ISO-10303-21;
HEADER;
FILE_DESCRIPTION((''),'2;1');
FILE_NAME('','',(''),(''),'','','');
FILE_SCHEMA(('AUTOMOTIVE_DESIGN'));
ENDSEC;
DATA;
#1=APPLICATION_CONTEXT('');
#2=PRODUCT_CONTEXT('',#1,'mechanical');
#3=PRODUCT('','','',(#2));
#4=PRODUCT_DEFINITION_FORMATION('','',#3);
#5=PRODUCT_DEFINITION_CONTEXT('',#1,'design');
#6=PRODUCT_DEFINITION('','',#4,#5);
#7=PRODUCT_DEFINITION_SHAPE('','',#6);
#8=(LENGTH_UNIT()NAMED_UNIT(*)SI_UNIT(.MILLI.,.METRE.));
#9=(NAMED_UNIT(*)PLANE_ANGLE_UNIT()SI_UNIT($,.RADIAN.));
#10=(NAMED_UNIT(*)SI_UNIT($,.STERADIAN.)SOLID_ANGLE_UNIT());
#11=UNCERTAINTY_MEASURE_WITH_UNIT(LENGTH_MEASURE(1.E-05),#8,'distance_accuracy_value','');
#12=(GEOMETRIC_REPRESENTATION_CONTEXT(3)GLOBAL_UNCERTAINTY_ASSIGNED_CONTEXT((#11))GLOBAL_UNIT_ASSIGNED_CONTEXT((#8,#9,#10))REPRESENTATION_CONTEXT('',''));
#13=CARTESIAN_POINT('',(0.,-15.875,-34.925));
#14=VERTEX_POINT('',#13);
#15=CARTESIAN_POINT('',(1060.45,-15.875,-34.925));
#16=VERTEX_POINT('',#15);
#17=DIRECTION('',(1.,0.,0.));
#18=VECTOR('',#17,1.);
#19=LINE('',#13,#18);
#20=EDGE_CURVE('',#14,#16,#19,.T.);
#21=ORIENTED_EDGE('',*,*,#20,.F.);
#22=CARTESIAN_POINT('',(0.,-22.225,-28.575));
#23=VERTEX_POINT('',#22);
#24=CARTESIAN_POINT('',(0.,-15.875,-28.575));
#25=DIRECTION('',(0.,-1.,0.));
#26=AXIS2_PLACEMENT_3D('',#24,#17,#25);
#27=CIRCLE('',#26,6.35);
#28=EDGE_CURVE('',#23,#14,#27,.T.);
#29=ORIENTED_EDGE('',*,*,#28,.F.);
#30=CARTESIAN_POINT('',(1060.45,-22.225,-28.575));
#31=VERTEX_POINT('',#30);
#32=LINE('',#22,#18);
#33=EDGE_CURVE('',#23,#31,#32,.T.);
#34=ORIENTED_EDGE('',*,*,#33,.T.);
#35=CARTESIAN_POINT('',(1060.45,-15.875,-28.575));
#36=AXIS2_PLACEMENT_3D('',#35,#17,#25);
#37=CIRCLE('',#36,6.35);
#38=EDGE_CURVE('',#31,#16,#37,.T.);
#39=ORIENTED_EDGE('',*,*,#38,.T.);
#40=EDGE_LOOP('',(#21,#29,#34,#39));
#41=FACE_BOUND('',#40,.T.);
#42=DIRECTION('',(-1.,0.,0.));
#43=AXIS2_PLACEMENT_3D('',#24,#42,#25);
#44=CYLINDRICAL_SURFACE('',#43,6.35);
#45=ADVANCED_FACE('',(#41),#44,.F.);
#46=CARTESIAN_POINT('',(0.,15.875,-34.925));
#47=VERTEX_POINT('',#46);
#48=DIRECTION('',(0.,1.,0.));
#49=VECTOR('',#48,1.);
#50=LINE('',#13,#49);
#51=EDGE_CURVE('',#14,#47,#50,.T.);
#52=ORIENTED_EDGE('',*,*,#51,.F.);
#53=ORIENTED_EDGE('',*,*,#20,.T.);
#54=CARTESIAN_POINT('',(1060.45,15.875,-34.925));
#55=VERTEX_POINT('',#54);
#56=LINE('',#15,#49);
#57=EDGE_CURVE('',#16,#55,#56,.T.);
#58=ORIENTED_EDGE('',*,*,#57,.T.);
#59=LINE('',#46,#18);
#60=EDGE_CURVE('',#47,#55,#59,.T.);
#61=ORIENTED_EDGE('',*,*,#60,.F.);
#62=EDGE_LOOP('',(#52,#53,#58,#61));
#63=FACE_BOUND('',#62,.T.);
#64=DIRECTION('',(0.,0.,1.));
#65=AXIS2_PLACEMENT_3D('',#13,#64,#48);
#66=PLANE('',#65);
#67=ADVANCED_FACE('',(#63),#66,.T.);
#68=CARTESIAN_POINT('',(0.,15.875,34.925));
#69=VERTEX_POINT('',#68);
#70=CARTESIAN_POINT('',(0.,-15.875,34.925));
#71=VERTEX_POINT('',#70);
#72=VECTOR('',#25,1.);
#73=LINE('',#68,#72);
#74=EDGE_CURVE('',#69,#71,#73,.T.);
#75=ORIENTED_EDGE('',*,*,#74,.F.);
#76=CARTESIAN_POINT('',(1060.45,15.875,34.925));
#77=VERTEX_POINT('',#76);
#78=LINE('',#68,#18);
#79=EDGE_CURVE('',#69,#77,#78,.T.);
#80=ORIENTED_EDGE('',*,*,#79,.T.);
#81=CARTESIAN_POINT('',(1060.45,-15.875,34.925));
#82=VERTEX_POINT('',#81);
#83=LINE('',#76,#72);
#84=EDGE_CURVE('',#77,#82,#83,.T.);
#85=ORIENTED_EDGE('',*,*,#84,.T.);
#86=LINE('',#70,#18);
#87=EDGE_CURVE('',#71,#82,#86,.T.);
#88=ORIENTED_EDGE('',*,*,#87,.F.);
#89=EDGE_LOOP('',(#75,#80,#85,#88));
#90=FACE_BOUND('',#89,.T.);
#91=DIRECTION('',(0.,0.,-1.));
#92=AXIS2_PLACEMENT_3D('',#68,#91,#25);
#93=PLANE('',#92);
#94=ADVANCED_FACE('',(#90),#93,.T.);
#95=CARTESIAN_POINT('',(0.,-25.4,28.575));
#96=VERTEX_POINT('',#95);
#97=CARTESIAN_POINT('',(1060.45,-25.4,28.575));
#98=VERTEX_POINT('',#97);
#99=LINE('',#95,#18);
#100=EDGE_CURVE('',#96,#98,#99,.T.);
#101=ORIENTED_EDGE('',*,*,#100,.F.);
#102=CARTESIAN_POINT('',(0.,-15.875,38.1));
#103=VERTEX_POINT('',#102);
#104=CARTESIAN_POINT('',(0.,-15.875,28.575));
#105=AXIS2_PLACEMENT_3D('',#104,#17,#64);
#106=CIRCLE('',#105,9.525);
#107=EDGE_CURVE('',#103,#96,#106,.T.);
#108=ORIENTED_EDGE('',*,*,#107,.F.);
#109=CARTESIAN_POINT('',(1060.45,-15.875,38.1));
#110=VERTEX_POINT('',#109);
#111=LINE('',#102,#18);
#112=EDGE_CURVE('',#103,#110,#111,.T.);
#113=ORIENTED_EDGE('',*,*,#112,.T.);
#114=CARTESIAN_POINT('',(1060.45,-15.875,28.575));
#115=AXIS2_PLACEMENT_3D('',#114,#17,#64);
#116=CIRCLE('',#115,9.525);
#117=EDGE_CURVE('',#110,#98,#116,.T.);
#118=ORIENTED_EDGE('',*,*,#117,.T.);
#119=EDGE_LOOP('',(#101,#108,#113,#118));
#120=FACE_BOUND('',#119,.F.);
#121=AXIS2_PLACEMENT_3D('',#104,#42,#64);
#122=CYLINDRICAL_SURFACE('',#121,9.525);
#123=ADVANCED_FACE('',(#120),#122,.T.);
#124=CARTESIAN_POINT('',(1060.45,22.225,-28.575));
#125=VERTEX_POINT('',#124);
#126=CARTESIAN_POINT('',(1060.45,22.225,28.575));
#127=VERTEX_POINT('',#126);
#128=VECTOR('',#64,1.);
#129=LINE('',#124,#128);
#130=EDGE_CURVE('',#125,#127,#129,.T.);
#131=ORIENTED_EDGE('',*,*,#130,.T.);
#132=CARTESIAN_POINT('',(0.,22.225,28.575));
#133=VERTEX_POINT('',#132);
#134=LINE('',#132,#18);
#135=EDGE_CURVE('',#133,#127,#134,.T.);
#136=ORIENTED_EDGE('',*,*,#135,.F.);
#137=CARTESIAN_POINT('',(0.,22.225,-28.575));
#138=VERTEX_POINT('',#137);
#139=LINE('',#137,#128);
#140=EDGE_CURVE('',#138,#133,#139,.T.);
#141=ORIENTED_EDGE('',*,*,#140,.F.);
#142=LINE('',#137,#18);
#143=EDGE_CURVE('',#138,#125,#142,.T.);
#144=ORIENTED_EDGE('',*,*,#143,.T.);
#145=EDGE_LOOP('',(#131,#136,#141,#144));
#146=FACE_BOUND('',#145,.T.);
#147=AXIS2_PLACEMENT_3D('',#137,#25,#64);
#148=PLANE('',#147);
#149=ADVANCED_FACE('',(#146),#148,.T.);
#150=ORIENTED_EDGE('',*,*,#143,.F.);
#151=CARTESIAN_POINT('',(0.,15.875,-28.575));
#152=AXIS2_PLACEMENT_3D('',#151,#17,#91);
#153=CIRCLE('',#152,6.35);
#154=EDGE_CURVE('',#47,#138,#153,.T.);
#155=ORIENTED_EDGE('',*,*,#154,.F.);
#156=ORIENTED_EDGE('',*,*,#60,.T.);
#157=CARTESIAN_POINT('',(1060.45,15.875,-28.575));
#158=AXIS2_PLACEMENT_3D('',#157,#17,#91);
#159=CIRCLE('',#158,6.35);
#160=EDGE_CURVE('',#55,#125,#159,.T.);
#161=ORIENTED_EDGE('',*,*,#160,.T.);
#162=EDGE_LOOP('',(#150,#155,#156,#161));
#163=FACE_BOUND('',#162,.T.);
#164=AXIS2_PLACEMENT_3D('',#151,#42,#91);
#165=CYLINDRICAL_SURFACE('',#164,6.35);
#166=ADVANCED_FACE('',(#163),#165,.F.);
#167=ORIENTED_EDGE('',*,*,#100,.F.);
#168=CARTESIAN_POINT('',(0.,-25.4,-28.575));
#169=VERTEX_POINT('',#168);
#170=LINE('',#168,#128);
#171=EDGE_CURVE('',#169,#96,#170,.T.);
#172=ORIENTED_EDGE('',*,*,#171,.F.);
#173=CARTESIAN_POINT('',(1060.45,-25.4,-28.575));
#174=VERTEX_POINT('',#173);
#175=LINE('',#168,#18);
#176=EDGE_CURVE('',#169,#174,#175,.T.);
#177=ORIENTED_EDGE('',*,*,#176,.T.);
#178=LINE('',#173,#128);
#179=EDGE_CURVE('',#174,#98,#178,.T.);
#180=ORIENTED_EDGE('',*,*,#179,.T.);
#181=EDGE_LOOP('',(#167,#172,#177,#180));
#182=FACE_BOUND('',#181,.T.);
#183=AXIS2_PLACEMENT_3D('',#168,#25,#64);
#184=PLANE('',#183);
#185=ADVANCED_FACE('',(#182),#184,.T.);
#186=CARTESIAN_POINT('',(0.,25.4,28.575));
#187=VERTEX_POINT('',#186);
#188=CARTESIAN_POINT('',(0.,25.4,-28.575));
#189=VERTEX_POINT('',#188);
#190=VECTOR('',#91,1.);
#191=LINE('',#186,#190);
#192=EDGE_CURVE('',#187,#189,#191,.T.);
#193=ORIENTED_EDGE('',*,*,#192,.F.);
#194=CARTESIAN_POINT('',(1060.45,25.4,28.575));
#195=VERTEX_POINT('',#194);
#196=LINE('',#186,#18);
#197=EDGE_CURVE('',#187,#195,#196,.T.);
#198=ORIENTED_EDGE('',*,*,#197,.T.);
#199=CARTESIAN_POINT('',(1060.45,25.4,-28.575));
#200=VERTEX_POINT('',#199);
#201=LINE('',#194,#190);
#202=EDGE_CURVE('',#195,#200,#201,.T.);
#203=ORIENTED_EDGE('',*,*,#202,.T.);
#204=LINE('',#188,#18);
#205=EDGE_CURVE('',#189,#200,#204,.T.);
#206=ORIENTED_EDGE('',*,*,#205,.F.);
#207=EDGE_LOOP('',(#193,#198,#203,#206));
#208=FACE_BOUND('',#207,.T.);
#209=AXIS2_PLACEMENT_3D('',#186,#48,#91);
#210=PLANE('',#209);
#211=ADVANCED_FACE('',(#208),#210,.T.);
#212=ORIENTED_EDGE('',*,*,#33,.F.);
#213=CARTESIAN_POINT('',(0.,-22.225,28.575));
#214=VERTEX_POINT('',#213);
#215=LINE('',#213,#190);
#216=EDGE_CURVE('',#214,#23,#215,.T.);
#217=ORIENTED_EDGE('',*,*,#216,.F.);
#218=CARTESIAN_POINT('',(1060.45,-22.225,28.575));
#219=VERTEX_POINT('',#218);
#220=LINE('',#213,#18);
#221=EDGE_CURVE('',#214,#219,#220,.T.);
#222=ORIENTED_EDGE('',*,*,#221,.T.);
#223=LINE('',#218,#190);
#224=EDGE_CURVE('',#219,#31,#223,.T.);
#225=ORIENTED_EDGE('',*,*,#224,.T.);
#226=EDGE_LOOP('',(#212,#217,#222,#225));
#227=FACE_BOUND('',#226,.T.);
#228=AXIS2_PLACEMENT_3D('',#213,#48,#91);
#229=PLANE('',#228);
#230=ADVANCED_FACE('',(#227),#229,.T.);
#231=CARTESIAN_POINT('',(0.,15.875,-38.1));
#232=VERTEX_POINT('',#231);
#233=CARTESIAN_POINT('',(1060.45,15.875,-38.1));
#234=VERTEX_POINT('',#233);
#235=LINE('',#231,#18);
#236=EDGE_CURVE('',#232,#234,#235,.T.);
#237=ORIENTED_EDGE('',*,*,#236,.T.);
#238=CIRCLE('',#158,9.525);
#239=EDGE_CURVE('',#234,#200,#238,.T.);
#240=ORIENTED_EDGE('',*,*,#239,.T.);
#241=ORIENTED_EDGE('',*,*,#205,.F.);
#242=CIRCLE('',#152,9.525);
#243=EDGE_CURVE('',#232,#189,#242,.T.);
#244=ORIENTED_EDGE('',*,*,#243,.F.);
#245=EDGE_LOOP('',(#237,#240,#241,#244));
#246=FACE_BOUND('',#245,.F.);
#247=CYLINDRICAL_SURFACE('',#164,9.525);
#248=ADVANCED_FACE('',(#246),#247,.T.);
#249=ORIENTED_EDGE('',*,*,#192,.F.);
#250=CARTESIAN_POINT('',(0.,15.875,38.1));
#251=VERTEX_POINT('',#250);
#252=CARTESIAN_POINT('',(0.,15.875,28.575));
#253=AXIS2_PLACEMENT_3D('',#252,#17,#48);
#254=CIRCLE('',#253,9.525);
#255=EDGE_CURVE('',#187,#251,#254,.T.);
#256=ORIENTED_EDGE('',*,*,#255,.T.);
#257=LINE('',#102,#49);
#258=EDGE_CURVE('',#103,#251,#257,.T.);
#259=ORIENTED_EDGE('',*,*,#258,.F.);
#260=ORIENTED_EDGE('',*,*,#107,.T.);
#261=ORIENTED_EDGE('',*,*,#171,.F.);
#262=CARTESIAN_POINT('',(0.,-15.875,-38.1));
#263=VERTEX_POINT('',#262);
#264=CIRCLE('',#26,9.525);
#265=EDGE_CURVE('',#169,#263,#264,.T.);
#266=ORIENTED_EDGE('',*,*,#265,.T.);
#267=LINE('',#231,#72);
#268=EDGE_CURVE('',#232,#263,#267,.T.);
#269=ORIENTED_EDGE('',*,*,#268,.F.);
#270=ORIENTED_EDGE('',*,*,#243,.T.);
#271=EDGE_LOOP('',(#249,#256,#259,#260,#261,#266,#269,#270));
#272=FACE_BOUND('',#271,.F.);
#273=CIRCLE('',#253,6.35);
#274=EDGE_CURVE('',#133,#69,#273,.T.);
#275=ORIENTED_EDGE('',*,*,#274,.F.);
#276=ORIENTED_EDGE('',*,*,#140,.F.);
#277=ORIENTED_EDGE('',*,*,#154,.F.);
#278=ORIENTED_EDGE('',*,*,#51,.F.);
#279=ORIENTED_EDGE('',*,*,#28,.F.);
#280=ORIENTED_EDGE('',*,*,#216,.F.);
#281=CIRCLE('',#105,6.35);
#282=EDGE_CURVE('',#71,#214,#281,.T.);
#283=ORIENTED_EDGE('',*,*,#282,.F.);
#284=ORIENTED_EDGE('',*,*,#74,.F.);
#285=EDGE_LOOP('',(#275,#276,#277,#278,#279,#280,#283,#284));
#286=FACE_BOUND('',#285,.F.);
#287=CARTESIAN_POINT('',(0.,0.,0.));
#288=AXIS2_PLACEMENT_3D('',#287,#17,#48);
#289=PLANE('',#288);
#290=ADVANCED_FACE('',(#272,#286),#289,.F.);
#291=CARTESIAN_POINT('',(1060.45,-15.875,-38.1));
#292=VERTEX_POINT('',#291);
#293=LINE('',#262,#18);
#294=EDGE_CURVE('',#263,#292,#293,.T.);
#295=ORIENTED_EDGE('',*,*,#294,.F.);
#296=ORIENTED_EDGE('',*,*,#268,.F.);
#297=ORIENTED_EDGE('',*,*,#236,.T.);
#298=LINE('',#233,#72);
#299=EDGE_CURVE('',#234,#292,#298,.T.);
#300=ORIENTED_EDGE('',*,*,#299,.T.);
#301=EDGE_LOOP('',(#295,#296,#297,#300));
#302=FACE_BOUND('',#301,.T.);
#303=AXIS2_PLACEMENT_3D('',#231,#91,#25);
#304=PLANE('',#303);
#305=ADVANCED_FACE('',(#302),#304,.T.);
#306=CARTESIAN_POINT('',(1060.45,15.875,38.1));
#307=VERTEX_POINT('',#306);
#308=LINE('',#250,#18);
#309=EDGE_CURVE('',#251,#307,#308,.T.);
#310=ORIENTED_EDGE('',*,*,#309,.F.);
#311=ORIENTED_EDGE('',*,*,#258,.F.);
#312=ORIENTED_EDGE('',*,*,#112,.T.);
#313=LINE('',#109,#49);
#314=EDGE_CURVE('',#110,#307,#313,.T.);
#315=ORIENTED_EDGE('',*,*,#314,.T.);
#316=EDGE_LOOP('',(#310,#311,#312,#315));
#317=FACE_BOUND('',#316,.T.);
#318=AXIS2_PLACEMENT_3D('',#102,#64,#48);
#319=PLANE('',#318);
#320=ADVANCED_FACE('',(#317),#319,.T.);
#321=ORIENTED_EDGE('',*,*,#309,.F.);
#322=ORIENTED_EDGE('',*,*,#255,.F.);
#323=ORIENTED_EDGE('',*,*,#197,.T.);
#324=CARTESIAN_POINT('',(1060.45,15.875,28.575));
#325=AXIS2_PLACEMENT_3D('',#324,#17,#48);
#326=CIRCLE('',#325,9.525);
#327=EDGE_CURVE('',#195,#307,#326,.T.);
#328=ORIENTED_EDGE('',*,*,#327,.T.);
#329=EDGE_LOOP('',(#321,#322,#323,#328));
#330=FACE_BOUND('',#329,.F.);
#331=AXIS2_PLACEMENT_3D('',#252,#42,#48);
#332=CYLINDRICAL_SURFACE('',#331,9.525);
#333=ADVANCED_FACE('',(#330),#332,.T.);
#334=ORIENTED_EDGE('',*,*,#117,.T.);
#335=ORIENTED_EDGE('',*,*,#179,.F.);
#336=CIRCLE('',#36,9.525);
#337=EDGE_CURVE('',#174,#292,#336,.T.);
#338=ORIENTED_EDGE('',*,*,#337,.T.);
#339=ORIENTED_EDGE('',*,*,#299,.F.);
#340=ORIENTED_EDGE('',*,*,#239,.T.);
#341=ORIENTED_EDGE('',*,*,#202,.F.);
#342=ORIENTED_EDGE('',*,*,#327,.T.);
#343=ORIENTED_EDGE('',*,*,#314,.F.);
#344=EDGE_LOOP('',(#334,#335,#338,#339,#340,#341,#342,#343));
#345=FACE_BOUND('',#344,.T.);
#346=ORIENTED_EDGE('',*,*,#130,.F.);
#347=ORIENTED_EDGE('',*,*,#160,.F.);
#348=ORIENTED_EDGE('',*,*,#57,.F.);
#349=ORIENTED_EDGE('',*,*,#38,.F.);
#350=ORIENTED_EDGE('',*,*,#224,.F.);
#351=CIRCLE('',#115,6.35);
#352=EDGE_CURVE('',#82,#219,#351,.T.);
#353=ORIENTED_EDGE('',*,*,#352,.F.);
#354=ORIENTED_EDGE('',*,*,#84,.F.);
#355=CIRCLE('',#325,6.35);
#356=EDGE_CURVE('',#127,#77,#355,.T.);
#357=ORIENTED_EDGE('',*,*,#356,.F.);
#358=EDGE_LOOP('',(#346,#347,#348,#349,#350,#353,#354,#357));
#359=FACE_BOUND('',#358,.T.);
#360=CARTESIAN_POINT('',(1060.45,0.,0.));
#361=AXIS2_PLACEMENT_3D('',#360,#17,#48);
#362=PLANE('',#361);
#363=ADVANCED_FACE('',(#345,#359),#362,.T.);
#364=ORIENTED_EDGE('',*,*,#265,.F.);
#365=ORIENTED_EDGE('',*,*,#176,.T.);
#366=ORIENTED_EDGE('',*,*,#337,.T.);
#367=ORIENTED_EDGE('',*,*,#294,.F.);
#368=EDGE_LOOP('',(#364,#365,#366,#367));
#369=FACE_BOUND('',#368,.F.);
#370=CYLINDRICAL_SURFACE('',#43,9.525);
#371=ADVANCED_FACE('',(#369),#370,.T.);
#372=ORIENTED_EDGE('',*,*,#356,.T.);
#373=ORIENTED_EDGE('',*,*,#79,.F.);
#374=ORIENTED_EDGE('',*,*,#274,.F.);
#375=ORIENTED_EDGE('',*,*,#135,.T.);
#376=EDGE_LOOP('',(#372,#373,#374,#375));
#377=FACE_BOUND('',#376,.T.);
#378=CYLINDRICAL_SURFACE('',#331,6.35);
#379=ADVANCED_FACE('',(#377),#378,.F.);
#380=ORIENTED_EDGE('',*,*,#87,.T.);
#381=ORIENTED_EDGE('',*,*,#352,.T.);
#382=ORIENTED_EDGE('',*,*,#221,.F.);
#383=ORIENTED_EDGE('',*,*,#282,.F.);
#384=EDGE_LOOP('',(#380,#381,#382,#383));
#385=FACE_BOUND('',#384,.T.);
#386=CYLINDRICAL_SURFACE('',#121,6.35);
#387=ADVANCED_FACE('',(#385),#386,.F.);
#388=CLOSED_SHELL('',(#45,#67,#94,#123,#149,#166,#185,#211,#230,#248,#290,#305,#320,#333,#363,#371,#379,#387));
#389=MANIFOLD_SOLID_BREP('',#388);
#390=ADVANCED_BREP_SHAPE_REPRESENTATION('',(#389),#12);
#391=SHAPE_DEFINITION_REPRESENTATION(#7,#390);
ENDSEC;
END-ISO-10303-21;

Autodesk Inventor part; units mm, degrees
ref_plane "YZ Plane" through (0, 0, 0) normal (1, 0, 0) x (0, 1, 0)
ref_plane "XZ Plane" through (0, 0, 0) normal (0, 1, 0) x (-1, 0, 0)
ref_plane "XY Plane" through (0, 0, 0) normal (0, 0, 1) x (1, 0, 0)
sketch "Sketch1" plane through (0, 0, 0) normal (1, 0, 0) x (0, 1, 0)
  line L0 (-15.875, 38.1) -> (15.875, 38.1)
  line L1 (25.4, 28.575) -> (25.4, -28.575)
  line L2 (15.875, -38.1) -> (-15.875, -38.1)
  line L3 (-25.4, -28.575) -> (-25.4, 28.575)
  line L4 (-25.4, 38.1) -> (25.4, -38.1) construction
  line L5 (25.4, 38.1) -> (-25.4, -38.1) construction
  arc A0 (25.4, 28.575) -> (15.875, 38.1) centre (15.875, 28.575) ccw
  arc A1 (-15.875, 38.1) -> (-25.4, 28.575) centre (-15.875, 28.575) ccw
  arc A2 (-25.4, -28.575) -> (-15.875, -38.1) centre (-15.875, -28.575) ccw
  arc A3 (15.875, -38.1) -> (25.4, -28.575) centre (15.875, -28.575) ccw
  line L6 (22.225, -28.575) -> (22.225, 28.575)
  arc A4 (22.225, 28.575) -> (15.875, 34.925) centre (15.875, 28.575) ccw
  line L7 (15.875, 34.925) -> (-15.875, 34.925)
  arc A5 (-15.875, 34.925) -> (-22.225, 28.575) centre (-15.875, 28.575) ccw
  line L8 (-22.225, 28.575) -> (-22.225, -28.575)
  arc A6 (-22.225, -28.575) -> (-15.875, -34.925) centre (-15.875, -28.575) ccw
  line L9 (-15.875, -34.925) -> (15.875, -34.925)
  arc A7 (15.875, -34.925) -> (22.225, -28.575) centre (15.875, -28.575) ccw
  point P0 (0, 0)
  dimension "d0" = 50.8
  dimension "d1" = 76.2
  dimension "d2" = 9.525
  dimension "d3" = 3.175
extrude "Extrusion1" add sketch "Sketch1" along normal blind 1060.45
equation "\"d0\" = stockHeight"
equation "\"d1\" = stockWidth"
equation "\"d2\" = stockRad"
equation "\"d3\" = stockGuage"
equation "\"d4\" = baseWidth - 2 * capThickness"
equation "\"height\" = 203.2"
equation "\"shaftDiam\" = 6.35"
equation "\"shaftSpace\" = 1.5875"
equation "\"stageSpace\" = 2.54"
equation "\"stageAngle\" = 15deg"
equation "\"stockHeight\" = 50.8"
equation "\"stockWidth\" = 76.2"
equation "\"stockRad\" = 9.525"
equation "\"stockGuage\" = 3.175"
equation "\"groundActu\" = 304.8"
equation "\"baseWidth\" = 1066.8"
equation "\"baseDepth\" = 254"
equation "\"capThickness\" = 3.175"
equation "\"sup1Ang\" = 22.619865deg"
equation "\"sup1Len\" = 660.4"
equation "\"supVertLen\" = 955.13561"
equation "\"sup2Ang\" = 8.959949deg"
equation "\"sup2Len\" = 2079.37366"
equation "\"supSideAng\" = 19.376933deg"
equation "\"supSideLen\" = 1531.12879"
equation "\"FlangeDiam\" = 12.7"
equation "\"bearingDiam\" = 9.5504"
equation "\"FlangeDepth\" = 1.5875"
equation "\"smallFilet\" = 0.39687"
equation "\"thickness\" = 12.7"
equation "\"ringDiam\" = 96.46608"
properties part number "base bar" material "Aluminum 6061"
